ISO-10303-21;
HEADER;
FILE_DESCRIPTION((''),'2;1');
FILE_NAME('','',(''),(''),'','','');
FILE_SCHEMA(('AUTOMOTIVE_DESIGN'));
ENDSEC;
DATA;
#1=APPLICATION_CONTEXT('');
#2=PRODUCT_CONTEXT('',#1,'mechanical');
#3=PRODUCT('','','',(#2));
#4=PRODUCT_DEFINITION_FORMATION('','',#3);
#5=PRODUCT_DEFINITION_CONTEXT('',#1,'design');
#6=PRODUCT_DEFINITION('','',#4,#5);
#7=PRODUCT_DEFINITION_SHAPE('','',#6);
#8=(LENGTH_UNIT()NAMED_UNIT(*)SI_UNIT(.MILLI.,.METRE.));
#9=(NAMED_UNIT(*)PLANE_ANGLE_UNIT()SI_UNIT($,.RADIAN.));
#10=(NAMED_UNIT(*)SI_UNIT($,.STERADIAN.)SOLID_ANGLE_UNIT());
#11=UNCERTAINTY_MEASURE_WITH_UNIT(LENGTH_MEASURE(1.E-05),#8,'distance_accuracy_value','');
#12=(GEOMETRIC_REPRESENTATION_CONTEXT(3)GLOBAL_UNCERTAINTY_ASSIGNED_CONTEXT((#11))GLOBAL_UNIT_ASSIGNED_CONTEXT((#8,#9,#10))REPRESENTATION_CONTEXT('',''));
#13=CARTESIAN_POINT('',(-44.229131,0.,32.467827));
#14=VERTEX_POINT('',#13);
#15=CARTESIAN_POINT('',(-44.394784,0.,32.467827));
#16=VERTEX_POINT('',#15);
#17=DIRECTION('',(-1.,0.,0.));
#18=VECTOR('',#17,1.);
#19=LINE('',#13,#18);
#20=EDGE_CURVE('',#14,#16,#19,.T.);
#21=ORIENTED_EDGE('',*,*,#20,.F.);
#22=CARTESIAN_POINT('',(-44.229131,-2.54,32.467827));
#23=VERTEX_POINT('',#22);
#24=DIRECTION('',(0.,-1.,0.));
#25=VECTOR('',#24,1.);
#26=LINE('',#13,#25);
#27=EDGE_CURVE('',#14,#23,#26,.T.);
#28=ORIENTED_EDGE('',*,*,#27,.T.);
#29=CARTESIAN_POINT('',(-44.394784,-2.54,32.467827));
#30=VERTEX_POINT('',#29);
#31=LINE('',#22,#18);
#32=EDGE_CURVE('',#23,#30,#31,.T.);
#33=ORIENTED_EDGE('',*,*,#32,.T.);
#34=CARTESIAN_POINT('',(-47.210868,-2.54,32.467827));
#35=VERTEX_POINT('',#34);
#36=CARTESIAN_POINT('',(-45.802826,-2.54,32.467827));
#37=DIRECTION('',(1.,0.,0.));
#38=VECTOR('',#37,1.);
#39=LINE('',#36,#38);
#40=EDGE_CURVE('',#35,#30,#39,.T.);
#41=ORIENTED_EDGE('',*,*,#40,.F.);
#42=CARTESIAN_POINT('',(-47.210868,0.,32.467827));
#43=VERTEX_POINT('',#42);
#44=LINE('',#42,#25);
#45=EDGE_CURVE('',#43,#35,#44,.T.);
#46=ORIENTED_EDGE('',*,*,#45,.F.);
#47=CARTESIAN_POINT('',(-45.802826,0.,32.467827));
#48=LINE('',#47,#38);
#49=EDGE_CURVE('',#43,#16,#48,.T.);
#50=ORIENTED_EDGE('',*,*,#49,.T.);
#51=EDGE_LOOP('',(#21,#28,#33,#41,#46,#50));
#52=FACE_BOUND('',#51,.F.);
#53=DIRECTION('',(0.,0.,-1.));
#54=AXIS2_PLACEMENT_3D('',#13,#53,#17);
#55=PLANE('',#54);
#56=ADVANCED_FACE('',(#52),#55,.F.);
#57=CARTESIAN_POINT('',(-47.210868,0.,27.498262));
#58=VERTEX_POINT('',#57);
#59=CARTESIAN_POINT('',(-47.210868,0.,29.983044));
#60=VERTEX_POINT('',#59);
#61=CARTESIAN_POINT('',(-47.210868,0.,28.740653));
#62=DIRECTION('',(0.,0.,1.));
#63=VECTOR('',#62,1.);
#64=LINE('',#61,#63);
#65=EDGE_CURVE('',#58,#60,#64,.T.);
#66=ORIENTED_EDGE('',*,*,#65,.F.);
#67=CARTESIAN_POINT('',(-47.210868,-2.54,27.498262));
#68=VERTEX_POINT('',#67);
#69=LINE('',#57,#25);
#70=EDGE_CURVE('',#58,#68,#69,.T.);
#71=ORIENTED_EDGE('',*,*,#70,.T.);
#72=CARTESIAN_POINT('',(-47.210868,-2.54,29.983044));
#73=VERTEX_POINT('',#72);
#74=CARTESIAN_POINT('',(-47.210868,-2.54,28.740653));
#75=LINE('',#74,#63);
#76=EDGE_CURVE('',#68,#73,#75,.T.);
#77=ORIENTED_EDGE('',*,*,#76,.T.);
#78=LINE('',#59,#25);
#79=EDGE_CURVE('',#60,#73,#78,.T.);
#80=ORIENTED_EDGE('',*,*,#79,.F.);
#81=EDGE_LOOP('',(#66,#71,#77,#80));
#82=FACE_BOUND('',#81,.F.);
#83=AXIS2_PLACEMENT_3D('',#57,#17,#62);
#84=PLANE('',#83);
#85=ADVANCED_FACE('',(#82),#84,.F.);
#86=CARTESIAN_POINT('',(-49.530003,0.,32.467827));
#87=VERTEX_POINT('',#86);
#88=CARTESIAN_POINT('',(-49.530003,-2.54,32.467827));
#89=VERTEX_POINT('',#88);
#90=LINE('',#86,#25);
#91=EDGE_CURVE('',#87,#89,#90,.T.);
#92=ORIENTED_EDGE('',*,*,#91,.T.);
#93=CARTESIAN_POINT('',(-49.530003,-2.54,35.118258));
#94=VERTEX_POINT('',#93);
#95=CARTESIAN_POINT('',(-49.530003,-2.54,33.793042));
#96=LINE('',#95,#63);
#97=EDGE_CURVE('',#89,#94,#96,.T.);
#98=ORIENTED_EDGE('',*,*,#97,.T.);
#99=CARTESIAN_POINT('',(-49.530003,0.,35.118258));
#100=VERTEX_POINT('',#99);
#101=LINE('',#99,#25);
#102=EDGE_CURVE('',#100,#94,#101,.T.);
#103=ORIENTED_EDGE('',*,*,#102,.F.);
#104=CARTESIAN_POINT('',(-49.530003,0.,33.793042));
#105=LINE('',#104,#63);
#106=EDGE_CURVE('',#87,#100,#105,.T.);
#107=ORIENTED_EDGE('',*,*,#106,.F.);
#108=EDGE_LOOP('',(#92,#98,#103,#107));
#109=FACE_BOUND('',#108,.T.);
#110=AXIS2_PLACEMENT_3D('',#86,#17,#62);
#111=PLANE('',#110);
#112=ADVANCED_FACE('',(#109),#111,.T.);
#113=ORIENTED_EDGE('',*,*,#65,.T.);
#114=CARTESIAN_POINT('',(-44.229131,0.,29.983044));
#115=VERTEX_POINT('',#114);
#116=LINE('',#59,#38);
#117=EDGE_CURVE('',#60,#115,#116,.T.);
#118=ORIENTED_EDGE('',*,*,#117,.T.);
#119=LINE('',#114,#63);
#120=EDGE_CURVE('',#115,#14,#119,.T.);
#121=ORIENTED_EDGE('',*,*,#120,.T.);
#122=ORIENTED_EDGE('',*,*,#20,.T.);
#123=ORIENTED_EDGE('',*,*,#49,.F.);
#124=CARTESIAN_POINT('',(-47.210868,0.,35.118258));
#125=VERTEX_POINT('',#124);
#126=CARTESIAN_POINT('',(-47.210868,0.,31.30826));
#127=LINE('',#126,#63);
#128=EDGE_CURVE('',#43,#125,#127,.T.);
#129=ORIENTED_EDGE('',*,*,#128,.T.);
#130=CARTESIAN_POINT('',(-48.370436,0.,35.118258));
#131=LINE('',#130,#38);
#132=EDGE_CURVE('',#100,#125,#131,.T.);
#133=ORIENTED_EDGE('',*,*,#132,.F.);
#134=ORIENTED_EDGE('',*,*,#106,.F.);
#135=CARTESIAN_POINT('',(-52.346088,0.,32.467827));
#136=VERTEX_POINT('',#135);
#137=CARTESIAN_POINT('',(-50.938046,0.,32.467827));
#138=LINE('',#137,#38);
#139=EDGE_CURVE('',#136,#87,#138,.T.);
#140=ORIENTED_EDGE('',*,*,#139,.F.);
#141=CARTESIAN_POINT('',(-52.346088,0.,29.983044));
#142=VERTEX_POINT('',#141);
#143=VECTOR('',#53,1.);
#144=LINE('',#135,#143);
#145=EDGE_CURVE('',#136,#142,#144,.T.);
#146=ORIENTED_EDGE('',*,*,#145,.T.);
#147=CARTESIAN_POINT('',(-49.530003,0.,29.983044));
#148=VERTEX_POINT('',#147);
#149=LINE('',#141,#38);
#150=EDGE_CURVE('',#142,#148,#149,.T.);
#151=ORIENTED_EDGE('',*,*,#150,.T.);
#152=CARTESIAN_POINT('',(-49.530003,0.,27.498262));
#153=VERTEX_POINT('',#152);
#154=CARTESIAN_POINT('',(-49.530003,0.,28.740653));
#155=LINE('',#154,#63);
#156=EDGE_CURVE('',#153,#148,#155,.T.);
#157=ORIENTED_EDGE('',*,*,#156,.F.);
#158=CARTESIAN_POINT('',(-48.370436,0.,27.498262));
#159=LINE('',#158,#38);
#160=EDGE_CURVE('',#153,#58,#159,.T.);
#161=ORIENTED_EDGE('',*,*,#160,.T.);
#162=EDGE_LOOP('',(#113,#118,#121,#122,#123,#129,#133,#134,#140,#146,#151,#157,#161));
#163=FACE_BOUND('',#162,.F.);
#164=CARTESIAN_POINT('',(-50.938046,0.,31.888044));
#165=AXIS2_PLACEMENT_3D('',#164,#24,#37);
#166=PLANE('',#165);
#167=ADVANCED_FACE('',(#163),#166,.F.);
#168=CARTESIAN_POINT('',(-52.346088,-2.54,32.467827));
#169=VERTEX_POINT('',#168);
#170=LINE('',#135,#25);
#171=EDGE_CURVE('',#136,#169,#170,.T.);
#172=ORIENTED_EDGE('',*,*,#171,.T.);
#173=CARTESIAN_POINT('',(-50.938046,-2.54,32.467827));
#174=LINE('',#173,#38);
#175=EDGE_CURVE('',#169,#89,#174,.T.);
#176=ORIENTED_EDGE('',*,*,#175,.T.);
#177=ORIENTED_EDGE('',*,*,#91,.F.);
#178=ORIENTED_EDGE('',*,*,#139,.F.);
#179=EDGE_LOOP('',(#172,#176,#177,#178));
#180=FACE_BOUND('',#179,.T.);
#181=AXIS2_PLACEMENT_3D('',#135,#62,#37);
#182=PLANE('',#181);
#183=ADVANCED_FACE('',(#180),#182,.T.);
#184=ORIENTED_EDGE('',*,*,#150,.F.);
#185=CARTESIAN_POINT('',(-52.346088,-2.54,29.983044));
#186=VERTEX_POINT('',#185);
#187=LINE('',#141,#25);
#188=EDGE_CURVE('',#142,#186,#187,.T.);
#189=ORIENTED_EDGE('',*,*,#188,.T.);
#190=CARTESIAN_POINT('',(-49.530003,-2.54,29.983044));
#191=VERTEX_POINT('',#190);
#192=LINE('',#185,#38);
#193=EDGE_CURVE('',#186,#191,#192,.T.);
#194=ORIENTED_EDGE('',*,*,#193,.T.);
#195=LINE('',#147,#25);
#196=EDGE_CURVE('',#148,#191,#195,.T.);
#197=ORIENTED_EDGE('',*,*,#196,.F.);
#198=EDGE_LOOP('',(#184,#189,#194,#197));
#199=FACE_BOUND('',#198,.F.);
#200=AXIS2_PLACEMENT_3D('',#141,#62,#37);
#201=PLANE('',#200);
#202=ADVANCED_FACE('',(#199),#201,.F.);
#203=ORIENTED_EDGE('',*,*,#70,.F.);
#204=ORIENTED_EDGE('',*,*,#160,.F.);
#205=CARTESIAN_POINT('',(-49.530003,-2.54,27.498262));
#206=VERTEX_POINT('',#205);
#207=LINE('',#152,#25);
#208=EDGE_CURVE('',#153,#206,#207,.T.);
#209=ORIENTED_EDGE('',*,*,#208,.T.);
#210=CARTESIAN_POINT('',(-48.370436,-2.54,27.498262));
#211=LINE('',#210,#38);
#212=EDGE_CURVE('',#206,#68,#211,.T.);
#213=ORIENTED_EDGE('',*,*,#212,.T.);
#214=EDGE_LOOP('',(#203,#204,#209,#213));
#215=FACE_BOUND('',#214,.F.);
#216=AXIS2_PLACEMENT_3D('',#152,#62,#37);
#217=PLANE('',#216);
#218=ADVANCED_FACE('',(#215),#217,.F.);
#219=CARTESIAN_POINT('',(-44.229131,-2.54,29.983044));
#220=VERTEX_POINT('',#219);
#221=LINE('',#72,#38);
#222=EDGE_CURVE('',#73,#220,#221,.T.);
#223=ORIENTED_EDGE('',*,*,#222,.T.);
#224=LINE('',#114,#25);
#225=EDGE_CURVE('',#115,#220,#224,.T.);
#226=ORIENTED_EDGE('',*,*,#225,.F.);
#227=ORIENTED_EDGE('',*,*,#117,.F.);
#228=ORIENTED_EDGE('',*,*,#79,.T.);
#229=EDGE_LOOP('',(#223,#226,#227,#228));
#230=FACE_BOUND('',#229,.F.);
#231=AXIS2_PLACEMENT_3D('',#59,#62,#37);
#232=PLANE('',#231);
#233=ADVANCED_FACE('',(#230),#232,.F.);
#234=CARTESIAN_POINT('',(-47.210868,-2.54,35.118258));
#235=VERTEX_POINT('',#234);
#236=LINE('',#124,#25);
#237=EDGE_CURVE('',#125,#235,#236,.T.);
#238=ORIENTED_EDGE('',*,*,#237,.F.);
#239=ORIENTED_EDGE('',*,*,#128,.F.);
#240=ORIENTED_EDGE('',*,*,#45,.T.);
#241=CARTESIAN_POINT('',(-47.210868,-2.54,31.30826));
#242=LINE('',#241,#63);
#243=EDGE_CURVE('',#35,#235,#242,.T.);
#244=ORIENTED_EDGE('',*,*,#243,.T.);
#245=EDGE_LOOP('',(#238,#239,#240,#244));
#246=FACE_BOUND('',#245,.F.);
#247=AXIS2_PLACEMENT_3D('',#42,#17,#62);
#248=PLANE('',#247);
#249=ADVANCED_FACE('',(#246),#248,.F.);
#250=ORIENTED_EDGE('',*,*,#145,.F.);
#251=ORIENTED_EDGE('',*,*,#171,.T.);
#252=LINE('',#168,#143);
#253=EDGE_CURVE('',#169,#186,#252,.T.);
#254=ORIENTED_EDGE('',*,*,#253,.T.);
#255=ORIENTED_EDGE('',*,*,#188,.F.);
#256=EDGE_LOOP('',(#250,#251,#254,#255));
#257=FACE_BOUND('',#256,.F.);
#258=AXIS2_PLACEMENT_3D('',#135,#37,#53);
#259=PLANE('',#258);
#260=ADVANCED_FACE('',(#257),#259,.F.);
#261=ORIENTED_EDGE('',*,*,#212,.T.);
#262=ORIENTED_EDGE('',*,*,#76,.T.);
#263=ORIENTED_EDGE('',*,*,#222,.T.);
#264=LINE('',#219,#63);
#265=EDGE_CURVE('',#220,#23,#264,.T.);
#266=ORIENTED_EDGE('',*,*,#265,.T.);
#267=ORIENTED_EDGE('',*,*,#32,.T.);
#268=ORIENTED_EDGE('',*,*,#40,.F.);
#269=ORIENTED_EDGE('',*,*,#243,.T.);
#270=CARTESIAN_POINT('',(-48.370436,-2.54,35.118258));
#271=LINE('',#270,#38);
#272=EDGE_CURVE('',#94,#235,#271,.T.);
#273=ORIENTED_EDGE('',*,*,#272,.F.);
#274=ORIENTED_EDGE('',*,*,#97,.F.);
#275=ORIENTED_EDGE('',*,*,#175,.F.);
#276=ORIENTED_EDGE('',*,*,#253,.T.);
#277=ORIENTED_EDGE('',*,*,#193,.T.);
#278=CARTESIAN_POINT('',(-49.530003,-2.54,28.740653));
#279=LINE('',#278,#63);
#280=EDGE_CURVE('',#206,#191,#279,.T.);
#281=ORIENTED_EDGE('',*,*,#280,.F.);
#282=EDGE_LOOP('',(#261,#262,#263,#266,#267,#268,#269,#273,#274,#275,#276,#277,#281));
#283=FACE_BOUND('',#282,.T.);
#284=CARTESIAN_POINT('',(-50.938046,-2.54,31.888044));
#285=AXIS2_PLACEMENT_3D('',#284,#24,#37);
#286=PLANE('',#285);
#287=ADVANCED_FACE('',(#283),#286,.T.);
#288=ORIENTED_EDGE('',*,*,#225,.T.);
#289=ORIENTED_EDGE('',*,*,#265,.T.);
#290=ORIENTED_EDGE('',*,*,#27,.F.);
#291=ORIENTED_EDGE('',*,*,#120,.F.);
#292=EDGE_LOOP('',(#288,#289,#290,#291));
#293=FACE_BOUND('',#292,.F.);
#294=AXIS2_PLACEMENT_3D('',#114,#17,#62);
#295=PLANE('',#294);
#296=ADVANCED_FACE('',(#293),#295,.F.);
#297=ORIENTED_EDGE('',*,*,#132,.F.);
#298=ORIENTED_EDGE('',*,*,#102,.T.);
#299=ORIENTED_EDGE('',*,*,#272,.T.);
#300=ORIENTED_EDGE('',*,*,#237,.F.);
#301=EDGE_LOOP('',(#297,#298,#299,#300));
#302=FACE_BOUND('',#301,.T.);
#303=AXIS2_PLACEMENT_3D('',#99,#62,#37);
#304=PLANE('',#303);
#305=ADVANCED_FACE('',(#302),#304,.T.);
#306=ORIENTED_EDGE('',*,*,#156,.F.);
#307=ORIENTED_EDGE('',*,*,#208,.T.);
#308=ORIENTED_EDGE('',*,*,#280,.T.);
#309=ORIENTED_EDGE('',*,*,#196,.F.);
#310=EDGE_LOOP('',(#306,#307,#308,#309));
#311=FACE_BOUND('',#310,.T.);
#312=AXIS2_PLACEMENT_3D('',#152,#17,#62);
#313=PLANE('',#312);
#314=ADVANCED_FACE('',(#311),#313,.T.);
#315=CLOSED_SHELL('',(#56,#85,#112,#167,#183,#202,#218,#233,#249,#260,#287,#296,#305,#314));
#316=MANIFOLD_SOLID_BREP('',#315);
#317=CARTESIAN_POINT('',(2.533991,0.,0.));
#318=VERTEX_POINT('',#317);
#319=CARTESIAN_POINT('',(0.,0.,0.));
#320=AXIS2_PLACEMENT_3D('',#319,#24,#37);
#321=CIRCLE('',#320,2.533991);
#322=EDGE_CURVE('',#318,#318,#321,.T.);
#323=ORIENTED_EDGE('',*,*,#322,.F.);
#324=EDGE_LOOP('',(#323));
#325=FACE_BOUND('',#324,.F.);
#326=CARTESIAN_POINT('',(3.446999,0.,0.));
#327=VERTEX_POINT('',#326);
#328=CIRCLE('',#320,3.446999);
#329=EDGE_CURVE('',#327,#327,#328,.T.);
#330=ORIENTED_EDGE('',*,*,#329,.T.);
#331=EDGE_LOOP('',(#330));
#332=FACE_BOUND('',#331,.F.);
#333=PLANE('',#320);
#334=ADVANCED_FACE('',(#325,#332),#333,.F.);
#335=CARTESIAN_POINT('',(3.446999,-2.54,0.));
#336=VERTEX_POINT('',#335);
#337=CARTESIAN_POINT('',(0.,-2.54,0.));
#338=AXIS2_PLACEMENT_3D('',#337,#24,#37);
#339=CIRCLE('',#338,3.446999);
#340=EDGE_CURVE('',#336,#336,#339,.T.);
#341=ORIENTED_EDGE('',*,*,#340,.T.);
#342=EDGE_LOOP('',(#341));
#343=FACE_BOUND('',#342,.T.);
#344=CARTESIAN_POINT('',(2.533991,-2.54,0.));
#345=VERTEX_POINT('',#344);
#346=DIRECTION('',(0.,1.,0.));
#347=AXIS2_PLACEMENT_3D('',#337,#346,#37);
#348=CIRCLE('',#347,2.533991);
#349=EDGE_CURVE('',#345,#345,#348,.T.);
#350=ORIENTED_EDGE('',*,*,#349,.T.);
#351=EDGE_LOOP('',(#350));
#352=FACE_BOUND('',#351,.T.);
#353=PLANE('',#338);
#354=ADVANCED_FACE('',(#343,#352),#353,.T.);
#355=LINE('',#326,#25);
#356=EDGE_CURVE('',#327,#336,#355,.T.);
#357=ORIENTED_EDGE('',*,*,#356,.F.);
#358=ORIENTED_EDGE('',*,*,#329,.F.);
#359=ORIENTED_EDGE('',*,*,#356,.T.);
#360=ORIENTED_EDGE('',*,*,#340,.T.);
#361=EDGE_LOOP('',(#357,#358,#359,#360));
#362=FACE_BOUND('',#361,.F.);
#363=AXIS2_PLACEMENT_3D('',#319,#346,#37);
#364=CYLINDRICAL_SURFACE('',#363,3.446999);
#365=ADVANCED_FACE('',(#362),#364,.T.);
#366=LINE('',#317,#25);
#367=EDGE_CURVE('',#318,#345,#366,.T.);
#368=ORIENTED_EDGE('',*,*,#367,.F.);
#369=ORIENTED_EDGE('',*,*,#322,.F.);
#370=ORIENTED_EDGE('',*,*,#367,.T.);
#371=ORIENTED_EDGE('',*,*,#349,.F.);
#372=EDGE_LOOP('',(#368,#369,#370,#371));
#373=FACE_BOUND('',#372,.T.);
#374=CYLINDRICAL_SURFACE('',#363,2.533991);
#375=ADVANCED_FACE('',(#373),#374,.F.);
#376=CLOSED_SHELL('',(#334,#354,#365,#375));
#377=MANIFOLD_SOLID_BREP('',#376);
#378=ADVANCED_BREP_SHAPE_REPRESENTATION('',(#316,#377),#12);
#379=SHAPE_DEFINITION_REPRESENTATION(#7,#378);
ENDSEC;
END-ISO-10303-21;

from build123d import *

# Parameters (mm, degrees)
F0_R     = 3.446998561
F1_DEPTH = 2.54
F2_R     = 2.5339910603
F3_DEPTH = 25.146
F4_W     = 2.8160847723
F4_H     = 1.1595673859
F4_W_2   = 2.3191347718
F4_H_2   = 2.650430426
F4_H_3   = 1.3252161443
F4_H_4   = 2.4847816676
F5_DEPTH = 2.54


with BuildPart() as f1:
    # F0 (on Front) → F1 (new body)
    with BuildSketch(Plane.XZ):
        Circle(F0_R)
    extrude(amount=F1_DEPTH)

    # F2 (on Front) → F3 (cut)
    with BuildSketch(Plane.XZ):
        Circle(F2_R)
    extrude(amount=F3_DEPTH, mode=Mode.SUBTRACT)


with BuildPart() as f5:
    # F4 (on Front) → F5 (new body)
    with BuildSketch(Plane.XZ):
        with Locations((-50.938045606, 31.8880435079)):
            Rectangle(F4_W, F4_H)
        with Locations((-48.3704358339, 33.7930424139)):
            Rectangle(F4_W_2, F4_H_2)
        with Locations((-48.3704358339, 31.8880435079)):
            Rectangle(F4_W_2, F4_H)
        with Locations((-50.938045606, 30.6456517428)):
            Rectangle(F4_W, F4_H_3)
        with Locations((-45.8028260618, 31.8880435079)):
            Rectangle(F4_W, F4_H)
        with Locations((-48.3704358339, 30.6456517428)):
            Rectangle(F4_W_2, F4_H_3)
        Polygon((-44.229131192, 32.4678272009), (-44.3947836757, 32.4678272009), (-44.3947836757, 31.308259815), (-47.210868448, 31.308259815), (-47.210868448, 29.9830436707), (-44.229131192, 29.9830436707), align=None)
        with Locations((-48.3704358339, 28.7406528369)):
            Rectangle(F4_W_2, F4_H_4)
    extrude(amount=F5_DEPTH)


solid = Compound([f1.part, f5.part])
